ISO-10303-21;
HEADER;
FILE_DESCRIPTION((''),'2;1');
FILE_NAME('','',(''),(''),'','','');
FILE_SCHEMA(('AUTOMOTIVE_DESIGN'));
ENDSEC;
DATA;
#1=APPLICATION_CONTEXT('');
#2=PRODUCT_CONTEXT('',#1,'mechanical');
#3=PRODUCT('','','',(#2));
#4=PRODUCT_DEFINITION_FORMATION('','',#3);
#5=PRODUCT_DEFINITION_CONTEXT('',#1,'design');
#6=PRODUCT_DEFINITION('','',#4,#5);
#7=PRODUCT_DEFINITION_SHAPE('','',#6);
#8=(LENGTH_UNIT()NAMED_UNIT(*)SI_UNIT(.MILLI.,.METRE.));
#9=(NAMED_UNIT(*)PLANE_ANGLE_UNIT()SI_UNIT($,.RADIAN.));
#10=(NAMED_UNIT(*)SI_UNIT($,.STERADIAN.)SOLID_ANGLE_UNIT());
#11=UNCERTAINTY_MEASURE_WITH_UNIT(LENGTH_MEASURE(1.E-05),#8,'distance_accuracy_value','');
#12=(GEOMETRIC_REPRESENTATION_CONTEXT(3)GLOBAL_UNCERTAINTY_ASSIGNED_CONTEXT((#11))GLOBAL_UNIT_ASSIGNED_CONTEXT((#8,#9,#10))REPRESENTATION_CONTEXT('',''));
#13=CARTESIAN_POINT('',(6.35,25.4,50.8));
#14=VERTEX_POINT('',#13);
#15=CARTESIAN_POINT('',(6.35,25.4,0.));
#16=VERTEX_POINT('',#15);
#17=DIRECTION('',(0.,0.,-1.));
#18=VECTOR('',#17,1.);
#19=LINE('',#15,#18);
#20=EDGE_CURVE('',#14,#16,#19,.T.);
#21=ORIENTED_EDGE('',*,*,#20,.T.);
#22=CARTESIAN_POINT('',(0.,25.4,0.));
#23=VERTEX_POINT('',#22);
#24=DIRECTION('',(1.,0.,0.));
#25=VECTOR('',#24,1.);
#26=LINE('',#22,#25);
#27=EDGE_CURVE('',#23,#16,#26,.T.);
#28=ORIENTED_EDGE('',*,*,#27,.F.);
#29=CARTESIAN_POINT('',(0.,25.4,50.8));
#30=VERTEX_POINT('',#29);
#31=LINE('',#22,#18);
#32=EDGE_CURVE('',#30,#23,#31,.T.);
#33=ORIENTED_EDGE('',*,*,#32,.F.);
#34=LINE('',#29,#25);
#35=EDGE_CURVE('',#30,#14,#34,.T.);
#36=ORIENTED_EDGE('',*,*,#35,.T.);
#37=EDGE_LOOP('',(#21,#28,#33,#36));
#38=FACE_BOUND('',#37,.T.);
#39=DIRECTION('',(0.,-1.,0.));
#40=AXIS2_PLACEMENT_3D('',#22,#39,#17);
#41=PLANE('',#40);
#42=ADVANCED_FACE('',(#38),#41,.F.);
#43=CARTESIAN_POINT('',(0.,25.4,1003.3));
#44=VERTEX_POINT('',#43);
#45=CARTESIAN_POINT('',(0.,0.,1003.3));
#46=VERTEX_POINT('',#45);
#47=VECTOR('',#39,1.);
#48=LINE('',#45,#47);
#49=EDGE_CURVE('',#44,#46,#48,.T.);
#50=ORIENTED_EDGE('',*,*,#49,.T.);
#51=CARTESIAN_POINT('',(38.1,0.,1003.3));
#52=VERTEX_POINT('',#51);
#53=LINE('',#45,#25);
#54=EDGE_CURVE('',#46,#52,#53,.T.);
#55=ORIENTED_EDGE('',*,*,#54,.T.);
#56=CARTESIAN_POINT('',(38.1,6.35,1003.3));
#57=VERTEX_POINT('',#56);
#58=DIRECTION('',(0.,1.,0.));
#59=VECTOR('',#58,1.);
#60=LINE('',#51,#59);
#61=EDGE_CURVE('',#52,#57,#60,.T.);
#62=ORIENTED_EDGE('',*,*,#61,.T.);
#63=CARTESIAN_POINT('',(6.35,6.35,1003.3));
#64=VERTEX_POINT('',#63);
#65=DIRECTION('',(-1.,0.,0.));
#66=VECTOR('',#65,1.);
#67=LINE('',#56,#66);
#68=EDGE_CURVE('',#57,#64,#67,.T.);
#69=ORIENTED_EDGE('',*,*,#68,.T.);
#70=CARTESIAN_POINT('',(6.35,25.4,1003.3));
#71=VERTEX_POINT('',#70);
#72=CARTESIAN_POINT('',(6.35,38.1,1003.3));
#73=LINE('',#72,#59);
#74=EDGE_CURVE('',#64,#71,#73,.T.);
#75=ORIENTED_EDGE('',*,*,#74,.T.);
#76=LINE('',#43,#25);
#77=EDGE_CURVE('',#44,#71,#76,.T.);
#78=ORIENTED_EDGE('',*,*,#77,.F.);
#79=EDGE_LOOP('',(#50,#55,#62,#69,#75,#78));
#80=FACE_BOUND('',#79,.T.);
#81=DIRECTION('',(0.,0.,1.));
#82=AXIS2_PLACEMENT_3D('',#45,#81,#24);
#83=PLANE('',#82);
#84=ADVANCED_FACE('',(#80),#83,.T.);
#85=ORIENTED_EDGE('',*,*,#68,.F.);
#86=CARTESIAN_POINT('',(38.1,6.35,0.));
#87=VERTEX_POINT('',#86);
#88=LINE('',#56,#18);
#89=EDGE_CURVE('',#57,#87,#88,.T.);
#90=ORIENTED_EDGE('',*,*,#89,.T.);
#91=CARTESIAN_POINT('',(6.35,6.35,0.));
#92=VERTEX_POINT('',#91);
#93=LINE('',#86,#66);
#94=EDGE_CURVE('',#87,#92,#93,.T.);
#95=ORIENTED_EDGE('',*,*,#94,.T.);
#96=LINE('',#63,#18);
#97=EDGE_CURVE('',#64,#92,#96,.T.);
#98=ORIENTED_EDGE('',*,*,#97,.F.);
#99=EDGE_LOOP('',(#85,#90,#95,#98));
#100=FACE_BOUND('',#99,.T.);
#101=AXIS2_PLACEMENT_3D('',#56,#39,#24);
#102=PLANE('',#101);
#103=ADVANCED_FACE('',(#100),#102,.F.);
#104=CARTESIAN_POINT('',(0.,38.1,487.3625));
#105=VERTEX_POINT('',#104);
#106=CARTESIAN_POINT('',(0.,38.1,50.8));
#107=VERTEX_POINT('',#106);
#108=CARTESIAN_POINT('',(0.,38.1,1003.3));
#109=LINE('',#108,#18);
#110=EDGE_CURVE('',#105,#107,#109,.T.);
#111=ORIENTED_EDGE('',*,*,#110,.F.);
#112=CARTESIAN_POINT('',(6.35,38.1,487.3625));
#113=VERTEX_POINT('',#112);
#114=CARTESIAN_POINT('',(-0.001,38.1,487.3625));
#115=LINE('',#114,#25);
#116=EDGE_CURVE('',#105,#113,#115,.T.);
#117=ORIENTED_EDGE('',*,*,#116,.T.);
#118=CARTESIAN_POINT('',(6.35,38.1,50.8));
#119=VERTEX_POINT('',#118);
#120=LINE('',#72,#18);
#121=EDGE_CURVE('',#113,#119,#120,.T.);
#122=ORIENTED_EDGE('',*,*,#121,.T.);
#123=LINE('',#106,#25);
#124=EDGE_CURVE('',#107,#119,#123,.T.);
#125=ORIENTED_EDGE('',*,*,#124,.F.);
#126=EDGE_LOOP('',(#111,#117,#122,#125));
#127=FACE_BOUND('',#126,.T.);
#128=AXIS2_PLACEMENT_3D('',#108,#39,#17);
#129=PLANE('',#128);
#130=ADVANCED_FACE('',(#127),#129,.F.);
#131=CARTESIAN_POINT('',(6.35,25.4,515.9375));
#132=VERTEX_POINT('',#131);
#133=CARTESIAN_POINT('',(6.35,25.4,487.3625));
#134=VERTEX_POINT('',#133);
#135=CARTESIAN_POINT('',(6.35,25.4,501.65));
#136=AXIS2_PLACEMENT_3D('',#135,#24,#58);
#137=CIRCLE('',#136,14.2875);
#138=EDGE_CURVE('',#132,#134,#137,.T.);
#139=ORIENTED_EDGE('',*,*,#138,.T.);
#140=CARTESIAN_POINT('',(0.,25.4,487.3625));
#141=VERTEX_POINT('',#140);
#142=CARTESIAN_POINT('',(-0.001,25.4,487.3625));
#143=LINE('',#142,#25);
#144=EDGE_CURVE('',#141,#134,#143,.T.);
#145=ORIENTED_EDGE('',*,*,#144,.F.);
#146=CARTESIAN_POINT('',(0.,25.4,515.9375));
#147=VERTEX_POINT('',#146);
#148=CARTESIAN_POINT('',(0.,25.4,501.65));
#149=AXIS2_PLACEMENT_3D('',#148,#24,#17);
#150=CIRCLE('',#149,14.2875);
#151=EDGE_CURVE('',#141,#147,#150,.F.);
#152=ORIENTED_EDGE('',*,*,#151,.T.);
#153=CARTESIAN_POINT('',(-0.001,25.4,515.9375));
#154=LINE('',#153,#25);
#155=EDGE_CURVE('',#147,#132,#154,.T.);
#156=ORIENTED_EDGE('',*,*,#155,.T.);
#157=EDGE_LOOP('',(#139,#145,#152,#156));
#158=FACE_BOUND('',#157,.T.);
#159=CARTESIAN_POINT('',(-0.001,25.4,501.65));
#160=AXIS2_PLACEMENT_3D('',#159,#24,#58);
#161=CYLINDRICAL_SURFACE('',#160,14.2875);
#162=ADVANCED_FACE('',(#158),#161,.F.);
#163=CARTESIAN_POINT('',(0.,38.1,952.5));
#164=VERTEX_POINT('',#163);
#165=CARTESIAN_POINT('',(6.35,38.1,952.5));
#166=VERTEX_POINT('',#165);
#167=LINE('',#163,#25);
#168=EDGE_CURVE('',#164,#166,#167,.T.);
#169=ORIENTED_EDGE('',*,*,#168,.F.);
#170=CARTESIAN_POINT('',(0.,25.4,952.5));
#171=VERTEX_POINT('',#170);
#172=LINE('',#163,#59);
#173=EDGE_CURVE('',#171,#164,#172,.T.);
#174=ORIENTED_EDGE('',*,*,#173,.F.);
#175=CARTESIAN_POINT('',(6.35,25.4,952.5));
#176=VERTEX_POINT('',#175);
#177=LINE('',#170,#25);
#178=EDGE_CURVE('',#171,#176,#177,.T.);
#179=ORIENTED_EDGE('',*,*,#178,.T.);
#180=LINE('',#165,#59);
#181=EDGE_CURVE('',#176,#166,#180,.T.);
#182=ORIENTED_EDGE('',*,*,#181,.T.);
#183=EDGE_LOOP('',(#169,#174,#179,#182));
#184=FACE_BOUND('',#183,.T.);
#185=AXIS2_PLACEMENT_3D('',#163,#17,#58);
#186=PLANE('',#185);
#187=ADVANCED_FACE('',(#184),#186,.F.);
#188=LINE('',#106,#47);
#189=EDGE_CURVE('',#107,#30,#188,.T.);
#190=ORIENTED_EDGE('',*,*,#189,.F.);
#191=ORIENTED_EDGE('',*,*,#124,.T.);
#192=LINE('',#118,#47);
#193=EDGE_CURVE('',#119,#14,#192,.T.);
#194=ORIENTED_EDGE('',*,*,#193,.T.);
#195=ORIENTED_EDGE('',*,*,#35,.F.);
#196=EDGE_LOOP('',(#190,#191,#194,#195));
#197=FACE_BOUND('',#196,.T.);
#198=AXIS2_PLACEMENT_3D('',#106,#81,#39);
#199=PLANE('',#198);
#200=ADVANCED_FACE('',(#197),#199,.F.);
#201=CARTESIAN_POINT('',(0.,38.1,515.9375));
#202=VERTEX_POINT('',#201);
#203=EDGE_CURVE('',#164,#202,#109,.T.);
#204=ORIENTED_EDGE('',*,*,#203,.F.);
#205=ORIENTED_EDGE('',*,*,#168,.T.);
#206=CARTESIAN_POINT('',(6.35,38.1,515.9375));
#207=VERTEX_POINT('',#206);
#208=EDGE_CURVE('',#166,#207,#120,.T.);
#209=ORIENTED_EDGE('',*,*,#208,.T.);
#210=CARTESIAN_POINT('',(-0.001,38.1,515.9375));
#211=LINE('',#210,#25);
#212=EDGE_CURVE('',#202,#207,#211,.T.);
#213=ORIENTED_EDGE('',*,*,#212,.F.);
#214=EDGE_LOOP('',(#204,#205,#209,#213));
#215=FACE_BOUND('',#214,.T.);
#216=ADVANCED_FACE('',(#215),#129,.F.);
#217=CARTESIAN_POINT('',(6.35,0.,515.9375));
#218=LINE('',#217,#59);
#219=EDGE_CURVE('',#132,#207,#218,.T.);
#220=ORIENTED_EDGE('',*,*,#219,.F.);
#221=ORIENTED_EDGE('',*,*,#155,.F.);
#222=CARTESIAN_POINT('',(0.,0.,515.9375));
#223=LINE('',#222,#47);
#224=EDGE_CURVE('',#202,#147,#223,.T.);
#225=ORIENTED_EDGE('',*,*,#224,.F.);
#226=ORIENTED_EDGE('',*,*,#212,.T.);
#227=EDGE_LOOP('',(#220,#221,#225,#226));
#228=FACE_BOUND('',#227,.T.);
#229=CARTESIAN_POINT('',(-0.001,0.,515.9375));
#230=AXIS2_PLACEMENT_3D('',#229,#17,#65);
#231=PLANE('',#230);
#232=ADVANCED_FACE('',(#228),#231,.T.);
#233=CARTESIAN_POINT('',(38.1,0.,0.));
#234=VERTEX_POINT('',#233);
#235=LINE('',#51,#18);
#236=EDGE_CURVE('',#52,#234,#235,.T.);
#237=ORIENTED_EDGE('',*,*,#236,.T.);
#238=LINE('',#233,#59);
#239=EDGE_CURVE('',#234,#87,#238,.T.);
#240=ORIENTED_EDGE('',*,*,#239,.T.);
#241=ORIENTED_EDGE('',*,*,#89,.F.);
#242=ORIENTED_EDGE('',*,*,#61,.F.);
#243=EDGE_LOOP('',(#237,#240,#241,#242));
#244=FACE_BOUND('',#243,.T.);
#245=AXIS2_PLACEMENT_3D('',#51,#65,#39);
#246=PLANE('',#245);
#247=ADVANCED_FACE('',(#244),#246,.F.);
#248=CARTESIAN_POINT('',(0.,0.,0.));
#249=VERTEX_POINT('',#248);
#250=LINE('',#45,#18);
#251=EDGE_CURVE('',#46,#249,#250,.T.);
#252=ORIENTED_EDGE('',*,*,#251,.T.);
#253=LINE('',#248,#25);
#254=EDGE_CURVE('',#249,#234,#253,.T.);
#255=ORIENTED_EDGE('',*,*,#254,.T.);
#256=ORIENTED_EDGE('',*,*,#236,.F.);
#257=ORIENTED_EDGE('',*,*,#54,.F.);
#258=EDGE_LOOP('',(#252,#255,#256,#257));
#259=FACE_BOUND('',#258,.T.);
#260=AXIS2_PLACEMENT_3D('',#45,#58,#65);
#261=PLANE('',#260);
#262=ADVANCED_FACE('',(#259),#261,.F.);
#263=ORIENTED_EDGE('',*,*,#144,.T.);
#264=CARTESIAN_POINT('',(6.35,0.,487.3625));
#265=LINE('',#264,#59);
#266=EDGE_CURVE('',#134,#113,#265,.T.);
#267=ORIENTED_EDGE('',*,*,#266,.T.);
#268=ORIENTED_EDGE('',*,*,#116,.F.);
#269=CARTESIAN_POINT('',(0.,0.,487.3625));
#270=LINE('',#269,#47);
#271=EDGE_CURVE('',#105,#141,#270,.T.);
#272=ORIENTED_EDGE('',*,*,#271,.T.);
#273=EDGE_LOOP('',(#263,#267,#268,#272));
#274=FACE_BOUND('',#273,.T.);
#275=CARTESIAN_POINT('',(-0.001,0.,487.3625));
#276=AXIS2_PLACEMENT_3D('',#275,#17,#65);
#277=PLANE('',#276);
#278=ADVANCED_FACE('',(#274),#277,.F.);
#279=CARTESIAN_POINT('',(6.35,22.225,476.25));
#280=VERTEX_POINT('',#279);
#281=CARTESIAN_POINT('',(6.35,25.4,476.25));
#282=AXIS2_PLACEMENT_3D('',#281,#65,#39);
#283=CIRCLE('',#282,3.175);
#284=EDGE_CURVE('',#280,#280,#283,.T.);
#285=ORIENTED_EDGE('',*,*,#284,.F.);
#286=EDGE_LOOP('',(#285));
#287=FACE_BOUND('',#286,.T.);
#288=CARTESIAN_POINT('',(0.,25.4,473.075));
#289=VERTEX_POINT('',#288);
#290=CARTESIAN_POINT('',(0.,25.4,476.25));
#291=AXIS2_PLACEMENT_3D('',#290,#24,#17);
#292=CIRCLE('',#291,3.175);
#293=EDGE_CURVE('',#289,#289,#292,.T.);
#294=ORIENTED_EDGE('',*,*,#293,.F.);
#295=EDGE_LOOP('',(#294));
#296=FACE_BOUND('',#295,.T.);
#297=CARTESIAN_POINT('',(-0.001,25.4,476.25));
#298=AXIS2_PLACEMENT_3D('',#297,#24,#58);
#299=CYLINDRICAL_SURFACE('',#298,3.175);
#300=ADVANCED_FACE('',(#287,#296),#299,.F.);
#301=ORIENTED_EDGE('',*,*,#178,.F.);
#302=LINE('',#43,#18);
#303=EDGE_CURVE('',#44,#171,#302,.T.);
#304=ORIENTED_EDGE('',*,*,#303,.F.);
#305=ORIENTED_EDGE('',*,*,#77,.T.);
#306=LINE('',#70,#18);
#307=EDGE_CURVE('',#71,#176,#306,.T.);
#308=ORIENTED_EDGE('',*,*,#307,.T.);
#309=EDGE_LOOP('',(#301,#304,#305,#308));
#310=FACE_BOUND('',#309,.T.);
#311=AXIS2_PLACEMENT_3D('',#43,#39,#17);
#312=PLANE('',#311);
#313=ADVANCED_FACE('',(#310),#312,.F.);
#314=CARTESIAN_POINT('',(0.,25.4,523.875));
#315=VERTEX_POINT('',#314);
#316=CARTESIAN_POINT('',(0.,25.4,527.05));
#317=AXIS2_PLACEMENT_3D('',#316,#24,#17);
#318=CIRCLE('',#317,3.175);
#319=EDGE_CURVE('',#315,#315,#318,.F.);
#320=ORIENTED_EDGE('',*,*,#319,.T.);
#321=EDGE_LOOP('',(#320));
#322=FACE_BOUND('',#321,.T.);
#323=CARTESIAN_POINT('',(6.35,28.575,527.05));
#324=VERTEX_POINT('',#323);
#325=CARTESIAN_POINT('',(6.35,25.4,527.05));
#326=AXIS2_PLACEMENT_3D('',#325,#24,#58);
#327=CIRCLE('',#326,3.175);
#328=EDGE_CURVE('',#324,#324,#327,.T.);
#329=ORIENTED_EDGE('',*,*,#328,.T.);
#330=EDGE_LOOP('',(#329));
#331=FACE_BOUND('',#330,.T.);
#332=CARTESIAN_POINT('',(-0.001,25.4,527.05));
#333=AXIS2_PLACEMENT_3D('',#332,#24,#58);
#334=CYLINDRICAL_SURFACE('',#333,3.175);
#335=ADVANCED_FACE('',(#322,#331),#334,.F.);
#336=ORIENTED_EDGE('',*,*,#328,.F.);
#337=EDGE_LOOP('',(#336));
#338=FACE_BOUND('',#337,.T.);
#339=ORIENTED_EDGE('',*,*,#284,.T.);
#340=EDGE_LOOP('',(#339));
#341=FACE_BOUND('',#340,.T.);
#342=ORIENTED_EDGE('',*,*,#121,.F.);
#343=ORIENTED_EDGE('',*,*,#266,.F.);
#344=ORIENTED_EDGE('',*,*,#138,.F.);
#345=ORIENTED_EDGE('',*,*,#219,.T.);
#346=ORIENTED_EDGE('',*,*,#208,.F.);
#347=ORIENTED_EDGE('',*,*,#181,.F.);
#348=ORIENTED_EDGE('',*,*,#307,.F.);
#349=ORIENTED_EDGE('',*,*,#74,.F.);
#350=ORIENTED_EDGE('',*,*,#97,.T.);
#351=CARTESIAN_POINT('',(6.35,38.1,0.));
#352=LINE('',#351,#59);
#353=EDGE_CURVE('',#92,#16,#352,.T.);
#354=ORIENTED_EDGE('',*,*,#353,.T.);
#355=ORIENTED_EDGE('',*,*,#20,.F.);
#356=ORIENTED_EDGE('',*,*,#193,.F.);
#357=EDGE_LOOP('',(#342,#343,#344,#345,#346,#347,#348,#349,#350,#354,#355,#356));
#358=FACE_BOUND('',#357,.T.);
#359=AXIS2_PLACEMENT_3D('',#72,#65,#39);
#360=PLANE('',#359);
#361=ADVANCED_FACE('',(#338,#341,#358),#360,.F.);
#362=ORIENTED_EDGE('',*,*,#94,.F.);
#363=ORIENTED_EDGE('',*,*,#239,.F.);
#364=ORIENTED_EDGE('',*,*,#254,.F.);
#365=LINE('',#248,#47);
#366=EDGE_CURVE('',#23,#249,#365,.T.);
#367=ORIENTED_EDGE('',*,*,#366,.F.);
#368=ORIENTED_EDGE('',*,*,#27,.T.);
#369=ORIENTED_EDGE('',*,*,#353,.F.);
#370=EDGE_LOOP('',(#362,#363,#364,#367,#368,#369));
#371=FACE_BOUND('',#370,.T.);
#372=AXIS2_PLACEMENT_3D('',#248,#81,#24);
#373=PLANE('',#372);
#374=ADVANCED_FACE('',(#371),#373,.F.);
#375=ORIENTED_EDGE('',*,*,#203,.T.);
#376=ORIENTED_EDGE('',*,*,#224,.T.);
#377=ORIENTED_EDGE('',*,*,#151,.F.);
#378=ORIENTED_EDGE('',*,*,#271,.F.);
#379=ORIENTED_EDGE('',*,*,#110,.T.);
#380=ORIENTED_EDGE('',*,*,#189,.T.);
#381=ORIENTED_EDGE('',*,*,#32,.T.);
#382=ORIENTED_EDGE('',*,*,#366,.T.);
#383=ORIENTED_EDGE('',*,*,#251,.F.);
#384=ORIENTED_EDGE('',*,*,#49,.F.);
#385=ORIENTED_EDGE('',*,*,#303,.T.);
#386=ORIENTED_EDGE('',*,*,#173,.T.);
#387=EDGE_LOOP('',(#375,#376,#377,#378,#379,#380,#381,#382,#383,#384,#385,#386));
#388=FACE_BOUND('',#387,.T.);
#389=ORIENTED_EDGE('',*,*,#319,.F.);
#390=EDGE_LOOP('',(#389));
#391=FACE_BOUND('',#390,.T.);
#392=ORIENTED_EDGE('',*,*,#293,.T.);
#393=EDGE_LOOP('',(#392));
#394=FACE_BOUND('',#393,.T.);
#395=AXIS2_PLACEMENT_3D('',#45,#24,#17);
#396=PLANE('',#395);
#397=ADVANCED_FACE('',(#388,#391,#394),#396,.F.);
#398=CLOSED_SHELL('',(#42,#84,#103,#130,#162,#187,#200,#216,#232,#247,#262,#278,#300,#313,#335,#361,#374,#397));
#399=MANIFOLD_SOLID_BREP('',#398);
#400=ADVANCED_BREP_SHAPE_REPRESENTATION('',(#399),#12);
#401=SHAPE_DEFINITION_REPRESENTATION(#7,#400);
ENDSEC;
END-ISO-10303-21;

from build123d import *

# Parameters (mm, degrees)
BOSS_EXTRUDE1_DEPTH = 1003.3
CUT_EXTRUDE1_REACH  = 1006.525
SKETCH2_R           = 3.175
SKETCH3_W           = 50.8
SKETCH3_H           = 12.7
CUT_EXTRUDE2_DEPTH  = 1005.525043242


with BuildPart() as part:
    # Sketch1 → Boss-Extrude1 (new body)
    with BuildSketch(Plane.XY):
        Polygon((0, 0), (0, 38.1), (6.35, 38.1), (6.35, 6.35), (38.1, 6.35), (38.1, 0), align=None)
    extrude(amount=BOSS_EXTRUDE1_DEPTH)

    # Sketch2 → Cut-Extrude1 (cut, up to next)
    with BuildSketch(Plane(origin=(6.35, 0, 0), x_dir=(0, 0, -1), z_dir=(1, 0, 0)), mode=Mode.PRIVATE) as cut_extrude1_sk1:
        with BuildLine():
            Line((-515.9375, 38.1), (-515.9375, 25.4))
            ThreePointArc((-515.9375, 25.4), (-501.65, 11.1125), (-487.3625, 25.4))
            Line((-487.3625, 25.4), (-487.3625, 38.1))
            Line((-487.3625, 38.1), (-515.9375, 38.1))
        make_face()
    cut_extrude1_tool1 = extrude(cut_extrude1_sk1.sketch, amount=-CUT_EXTRUDE1_REACH, mode=Mode.PRIVATE) & part.part
    # Sketch2 → Cut-Extrude1 (cut, up to next)
    with BuildSketch(Plane(origin=(6.35, 0, 0), x_dir=(0, 0, -1), z_dir=(1, 0, 0)), mode=Mode.PRIVATE) as cut_extrude1_sk2:
        with Locations(Location((-527.05, 25.4, 0), (0, 0, 90))):
            Circle(SKETCH2_R)
    cut_extrude1_tool2 = extrude(cut_extrude1_sk2.sketch, amount=-CUT_EXTRUDE1_REACH, mode=Mode.PRIVATE) & part.part
    # Sketch2 → Cut-Extrude1 (cut, up to next)
    with BuildSketch(Plane(origin=(6.35, 0, 0), x_dir=(0, 0, -1), z_dir=(1, 0, 0)), mode=Mode.PRIVATE) as cut_extrude1_sk3:
        with Locations((-476.25, 25.4)):
            Circle(SKETCH2_R)
    cut_extrude1_tool3 = extrude(cut_extrude1_sk3.sketch, amount=-CUT_EXTRUDE1_REACH, mode=Mode.PRIVATE) & part.part
    add(cut_extrude1_tool1.solids().sort_by_distance((6.35, 25.926758, 501.65))[0], mode=Mode.SUBTRACT)
    add(cut_extrude1_tool2.solids().sort_by_distance((6.35, 25.4, 527.05))[0], mode=Mode.SUBTRACT)
    add(cut_extrude1_tool3.solids().sort_by_distance((6.35, 25.4, 476.25))[0], mode=Mode.SUBTRACT)

    # Sketch3 → Cut-Extrude2 (cut, through all)
    with BuildSketch(Plane(origin=(6.35, 0, 0), x_dir=(0, 0, -1), z_dir=(1, 0, 0))):
        with Locations((-25.4, 31.75)):
            Rectangle(SKETCH3_W, SKETCH3_H)
        with Locations((-977.9, 31.75)):
            Rectangle(SKETCH3_W, SKETCH3_H)
    extrude(amount=-CUT_EXTRUDE2_DEPTH, mode=Mode.SUBTRACT)


solid = part.part
